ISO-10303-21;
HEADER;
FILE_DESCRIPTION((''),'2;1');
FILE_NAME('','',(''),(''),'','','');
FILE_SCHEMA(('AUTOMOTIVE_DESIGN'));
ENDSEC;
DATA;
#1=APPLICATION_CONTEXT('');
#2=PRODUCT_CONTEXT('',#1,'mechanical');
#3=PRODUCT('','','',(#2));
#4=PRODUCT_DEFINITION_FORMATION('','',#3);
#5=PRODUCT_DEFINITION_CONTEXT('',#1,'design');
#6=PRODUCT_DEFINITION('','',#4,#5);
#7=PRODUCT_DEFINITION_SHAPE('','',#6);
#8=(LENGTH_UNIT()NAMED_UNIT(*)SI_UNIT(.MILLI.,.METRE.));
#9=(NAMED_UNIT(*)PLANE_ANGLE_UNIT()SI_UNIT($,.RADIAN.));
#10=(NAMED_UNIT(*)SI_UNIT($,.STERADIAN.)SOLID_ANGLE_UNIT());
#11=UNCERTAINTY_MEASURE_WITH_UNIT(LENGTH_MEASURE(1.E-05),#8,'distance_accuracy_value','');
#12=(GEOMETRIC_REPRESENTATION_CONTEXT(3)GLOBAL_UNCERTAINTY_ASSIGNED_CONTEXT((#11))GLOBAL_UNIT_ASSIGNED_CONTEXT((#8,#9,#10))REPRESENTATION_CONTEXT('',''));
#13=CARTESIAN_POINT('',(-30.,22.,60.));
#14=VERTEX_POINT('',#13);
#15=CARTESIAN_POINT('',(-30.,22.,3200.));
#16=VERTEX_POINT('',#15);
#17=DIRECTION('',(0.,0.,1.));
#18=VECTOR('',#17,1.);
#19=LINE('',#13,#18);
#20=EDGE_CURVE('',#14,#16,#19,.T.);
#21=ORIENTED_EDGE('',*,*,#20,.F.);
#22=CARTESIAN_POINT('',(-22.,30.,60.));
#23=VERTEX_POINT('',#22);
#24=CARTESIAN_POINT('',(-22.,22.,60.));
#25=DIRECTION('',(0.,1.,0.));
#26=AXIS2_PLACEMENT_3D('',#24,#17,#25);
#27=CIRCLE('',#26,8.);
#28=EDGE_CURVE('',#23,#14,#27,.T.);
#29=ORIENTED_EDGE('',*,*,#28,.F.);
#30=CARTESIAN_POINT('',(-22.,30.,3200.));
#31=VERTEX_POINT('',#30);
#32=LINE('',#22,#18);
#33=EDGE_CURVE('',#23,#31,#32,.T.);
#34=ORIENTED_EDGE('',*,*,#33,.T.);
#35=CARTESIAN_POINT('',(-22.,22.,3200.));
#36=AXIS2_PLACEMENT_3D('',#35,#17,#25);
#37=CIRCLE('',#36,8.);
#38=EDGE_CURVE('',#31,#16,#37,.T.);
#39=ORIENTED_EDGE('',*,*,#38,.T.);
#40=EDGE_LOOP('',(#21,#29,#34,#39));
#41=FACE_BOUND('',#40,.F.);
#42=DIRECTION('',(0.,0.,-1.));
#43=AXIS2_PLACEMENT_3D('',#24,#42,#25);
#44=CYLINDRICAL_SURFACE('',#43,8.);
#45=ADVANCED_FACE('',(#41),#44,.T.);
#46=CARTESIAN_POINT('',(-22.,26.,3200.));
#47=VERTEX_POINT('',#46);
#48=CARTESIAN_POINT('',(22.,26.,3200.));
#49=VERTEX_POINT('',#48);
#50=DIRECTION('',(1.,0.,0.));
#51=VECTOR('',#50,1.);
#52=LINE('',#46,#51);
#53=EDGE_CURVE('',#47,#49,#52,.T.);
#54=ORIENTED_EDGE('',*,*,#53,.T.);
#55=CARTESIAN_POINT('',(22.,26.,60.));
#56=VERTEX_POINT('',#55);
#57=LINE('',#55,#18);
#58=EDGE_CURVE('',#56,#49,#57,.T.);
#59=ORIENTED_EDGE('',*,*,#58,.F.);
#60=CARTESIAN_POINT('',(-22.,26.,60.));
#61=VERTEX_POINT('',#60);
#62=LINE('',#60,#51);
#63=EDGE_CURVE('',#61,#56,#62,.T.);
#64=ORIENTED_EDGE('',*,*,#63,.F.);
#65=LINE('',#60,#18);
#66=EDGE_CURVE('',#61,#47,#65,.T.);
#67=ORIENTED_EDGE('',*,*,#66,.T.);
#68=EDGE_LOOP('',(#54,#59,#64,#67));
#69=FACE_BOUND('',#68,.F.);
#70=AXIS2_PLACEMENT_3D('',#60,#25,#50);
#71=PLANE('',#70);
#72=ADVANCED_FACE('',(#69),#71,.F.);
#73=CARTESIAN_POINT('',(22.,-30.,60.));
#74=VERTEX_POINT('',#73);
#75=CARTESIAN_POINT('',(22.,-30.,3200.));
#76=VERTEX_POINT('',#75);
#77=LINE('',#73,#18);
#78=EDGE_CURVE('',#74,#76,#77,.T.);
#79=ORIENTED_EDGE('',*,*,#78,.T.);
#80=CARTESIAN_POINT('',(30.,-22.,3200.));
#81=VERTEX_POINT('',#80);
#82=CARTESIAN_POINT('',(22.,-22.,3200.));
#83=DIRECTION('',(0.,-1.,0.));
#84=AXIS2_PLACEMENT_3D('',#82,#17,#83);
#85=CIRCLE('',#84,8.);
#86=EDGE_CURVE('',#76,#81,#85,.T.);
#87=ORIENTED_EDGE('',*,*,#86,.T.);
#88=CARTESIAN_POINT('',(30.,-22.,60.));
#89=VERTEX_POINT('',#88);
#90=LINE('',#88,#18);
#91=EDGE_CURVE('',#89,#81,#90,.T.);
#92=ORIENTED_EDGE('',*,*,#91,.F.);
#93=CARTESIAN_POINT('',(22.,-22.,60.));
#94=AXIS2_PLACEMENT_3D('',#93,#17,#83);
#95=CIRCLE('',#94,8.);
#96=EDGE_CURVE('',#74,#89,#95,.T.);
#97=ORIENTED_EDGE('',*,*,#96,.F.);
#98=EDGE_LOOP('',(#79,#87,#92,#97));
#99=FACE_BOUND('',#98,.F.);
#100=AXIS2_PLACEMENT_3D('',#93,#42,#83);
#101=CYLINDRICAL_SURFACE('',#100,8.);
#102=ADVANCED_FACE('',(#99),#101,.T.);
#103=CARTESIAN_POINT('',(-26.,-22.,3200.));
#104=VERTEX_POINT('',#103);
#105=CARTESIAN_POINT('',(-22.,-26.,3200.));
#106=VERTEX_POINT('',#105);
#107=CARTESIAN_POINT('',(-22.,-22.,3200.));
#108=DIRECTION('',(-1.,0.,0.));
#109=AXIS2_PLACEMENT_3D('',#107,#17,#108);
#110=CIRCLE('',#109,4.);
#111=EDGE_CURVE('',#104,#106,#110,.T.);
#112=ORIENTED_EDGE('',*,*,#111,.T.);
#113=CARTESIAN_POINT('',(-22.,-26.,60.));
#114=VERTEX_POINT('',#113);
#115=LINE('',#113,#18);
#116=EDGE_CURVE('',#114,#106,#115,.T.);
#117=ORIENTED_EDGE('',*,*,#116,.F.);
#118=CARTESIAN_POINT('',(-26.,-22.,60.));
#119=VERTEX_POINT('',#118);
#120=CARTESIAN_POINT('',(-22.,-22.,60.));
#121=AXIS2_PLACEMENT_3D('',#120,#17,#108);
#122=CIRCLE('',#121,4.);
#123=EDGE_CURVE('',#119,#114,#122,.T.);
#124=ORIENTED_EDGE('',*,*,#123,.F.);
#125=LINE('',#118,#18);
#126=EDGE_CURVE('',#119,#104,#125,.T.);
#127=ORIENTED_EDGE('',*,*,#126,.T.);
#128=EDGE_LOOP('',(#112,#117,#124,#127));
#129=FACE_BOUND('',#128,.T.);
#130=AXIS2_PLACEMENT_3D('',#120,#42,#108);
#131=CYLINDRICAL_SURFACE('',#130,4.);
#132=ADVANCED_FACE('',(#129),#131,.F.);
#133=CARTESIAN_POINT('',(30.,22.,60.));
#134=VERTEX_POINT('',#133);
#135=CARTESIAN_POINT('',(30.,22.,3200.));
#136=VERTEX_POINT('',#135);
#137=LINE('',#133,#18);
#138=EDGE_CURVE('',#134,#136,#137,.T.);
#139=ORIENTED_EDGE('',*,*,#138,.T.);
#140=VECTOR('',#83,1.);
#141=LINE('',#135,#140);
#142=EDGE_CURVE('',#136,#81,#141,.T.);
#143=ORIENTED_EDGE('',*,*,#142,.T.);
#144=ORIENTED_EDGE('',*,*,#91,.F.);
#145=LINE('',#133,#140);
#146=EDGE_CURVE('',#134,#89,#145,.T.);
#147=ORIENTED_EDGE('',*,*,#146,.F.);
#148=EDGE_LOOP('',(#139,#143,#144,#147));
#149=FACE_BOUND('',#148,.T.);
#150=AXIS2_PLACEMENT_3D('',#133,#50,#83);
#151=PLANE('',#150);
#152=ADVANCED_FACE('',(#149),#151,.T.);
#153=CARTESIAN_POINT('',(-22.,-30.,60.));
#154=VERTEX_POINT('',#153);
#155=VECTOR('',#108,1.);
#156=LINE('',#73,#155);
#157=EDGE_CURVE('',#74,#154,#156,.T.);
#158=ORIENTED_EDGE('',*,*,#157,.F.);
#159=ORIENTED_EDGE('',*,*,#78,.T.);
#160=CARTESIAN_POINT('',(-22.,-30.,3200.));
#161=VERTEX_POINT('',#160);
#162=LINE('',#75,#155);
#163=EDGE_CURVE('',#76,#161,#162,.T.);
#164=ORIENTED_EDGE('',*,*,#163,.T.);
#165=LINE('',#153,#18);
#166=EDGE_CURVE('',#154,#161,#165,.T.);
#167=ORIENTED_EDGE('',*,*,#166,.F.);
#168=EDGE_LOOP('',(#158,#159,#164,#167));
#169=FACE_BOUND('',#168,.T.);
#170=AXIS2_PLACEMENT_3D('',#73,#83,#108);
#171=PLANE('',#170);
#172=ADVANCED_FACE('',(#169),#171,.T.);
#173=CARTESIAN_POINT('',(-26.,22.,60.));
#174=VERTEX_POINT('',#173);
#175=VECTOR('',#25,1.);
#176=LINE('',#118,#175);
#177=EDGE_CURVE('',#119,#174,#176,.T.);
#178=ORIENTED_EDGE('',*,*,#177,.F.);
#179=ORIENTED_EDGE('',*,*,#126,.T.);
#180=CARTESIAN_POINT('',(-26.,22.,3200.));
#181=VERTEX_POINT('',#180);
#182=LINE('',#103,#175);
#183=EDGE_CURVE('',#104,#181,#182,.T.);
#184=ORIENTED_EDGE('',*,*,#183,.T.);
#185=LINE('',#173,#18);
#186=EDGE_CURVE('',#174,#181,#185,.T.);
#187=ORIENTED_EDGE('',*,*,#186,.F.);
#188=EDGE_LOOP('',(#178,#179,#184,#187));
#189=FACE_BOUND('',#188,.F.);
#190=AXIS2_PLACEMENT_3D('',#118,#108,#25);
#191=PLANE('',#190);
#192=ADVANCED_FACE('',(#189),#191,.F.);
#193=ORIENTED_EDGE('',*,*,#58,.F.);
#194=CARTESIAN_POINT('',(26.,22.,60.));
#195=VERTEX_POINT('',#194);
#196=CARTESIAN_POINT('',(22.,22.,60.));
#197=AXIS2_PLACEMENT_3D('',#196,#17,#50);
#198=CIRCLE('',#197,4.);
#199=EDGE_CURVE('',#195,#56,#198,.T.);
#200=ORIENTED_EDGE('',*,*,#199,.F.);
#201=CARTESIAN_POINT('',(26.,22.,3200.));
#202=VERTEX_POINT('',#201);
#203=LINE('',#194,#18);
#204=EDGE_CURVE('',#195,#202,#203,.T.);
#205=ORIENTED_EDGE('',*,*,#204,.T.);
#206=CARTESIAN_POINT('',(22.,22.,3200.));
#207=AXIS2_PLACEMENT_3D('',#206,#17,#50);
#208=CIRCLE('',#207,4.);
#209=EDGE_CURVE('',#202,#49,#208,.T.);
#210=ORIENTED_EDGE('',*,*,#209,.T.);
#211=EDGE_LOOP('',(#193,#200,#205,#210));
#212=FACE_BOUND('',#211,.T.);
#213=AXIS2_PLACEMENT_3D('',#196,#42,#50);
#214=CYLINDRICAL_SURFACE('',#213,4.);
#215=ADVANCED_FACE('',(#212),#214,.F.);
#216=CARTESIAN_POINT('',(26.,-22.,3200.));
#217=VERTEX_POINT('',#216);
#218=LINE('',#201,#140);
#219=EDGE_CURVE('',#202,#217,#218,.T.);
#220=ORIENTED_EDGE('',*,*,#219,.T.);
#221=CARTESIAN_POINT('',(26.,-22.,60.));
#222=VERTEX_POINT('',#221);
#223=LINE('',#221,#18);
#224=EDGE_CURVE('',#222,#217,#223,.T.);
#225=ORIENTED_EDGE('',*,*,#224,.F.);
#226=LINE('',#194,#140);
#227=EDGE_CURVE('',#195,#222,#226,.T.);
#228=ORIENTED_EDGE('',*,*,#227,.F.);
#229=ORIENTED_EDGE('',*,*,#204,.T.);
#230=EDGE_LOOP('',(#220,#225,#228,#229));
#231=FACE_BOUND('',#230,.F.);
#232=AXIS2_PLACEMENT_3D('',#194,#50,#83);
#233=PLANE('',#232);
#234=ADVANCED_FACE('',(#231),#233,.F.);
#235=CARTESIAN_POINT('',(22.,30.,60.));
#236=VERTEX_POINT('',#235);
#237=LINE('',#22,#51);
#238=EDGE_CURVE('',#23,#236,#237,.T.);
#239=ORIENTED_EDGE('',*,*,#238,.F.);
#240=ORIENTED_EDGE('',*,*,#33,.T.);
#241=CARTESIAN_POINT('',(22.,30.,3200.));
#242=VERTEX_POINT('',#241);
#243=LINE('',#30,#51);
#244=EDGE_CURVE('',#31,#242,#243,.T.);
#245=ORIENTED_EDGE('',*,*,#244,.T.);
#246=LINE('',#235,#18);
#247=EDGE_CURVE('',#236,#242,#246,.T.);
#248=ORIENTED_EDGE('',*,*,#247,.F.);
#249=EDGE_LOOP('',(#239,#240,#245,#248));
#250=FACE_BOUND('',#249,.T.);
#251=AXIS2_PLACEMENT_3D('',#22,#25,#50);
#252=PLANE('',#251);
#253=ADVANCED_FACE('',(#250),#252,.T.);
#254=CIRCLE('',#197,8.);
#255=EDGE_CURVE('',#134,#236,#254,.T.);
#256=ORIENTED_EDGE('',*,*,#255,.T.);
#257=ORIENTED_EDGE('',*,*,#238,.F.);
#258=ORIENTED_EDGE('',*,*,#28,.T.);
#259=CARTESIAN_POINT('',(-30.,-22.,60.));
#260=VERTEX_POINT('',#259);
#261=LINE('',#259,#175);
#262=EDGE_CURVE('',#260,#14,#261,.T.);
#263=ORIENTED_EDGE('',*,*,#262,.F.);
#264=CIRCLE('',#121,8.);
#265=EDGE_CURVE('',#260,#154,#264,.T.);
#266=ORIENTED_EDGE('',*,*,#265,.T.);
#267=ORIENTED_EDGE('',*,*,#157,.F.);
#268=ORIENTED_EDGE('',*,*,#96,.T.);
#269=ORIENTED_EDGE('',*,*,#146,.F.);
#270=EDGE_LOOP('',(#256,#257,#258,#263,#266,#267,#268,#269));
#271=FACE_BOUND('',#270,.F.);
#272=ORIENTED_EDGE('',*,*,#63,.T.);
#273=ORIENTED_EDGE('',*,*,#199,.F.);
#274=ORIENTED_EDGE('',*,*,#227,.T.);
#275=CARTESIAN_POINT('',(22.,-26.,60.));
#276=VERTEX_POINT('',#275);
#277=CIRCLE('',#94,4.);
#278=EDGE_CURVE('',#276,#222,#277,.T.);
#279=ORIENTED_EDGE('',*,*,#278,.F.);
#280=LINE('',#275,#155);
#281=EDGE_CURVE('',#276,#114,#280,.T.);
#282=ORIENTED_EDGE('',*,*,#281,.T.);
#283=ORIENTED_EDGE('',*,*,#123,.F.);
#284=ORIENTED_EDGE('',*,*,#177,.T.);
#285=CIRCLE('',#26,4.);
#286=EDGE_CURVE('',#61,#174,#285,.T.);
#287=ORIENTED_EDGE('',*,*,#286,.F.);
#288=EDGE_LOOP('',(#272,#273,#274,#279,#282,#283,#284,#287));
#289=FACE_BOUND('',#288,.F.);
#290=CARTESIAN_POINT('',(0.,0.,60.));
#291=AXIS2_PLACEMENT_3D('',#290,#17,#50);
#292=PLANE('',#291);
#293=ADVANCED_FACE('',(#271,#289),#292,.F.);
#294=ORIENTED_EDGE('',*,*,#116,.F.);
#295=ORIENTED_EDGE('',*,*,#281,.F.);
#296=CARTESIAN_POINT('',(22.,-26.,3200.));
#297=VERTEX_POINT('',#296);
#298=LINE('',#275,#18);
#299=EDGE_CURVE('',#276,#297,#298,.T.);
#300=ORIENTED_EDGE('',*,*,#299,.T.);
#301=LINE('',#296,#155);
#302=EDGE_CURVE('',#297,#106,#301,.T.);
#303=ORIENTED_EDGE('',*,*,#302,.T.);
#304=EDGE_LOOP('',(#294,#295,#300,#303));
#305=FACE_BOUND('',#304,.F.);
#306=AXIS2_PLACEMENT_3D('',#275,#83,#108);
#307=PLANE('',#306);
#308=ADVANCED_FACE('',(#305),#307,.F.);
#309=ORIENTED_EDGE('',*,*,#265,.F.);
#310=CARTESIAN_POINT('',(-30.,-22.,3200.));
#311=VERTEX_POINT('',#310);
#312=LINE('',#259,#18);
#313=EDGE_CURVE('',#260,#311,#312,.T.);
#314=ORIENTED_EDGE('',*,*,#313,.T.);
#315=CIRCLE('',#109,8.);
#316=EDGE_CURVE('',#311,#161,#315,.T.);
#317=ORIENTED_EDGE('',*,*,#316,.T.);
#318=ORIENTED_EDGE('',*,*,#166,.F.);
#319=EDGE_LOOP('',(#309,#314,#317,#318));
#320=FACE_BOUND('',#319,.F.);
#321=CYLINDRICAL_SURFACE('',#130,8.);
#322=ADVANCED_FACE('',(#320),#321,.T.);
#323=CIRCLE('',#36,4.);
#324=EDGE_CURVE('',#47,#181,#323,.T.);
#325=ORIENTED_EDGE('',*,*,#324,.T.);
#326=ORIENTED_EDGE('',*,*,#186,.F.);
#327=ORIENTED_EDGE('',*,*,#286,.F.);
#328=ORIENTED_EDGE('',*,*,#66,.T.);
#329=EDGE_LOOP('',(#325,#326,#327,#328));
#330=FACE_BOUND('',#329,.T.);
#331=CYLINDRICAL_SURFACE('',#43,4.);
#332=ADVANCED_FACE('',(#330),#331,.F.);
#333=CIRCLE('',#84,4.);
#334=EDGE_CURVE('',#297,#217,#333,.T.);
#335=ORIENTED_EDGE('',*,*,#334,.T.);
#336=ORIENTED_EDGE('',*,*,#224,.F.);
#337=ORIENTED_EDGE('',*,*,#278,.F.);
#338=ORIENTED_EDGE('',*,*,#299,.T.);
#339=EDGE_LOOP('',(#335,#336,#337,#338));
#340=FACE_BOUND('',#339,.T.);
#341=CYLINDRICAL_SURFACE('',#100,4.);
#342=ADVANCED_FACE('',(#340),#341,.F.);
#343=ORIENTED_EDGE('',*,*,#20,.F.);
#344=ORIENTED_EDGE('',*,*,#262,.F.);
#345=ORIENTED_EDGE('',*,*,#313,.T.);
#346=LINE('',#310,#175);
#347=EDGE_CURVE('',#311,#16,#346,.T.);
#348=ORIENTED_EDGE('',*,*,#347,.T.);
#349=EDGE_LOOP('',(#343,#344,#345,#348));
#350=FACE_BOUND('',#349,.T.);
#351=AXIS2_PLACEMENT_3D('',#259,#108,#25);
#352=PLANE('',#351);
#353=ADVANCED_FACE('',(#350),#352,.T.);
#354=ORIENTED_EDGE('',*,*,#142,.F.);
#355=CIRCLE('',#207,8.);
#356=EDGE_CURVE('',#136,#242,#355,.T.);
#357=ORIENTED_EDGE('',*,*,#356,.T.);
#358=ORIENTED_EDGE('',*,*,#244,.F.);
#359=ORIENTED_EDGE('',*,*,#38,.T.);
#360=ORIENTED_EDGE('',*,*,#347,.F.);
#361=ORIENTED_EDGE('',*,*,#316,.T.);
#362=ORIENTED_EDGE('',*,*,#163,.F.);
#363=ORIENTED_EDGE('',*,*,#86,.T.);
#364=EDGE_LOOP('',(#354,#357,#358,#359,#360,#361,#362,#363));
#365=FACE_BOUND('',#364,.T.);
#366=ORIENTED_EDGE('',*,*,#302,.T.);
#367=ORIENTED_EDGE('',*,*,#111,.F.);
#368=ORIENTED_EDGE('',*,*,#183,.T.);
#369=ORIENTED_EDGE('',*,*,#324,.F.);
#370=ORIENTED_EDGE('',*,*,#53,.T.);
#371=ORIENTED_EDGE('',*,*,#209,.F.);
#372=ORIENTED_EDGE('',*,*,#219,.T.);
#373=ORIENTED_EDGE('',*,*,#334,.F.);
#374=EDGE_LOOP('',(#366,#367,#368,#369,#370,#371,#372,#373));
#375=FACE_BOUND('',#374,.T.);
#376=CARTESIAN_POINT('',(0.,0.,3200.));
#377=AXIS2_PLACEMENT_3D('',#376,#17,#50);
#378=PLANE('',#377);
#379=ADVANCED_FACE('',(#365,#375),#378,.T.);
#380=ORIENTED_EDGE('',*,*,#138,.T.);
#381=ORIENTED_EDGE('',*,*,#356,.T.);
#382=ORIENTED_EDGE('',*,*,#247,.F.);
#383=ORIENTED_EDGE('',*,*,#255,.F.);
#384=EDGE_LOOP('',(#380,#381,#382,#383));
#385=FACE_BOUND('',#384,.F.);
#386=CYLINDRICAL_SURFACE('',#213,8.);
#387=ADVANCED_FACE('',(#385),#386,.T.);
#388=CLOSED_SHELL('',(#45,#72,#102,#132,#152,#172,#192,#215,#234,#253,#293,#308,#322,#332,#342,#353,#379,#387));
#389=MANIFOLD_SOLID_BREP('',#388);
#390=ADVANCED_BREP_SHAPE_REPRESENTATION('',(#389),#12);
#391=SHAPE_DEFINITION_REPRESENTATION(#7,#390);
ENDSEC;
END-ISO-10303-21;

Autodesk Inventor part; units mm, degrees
ref_plane "Start Plane" through (0, 0, 60) normal (0, 0, 1) x (1, 0, 0)
ref_plane "End Plane" through (0, 0, 3200) normal (0, 0, 1) x (1, 0, 0)
sketch "Sketch" plane through (0, 0, 0) normal (0, 0, 1) x (1, 0, 0)
  line L0 (-30, -22) -> (-30, 22)
  line L1 (-22, 30) -> (22, 30)
  line L2 (30, 22) -> (30, -22)
  line L3 (22, -30) -> (-22, -30)
  arc A0 (-30, -22) -> (-22, -30) centre (-22, -22) ccw
  arc A1 (30, 22) -> (22, 30) centre (22, 22) ccw
  arc A2 (-22, 30) -> (-30, 22) centre (-22, 22) ccw
  arc A3 (22, -30) -> (30, -22) centre (22, -22) ccw
  arc A4 (-22, 26) -> (-26, 22) centre (-22, 22) ccw
  line L4 (-22, 26) -> (22, 26)
  arc A5 (26, 22) -> (22, 26) centre (22, 22) ccw
  line L5 (26, 22) -> (26, -22)
  arc A6 (22, -26) -> (26, -22) centre (22, -22) ccw
  line L6 (22, -26) -> (-22, -26)
  arc A7 (-26, -22) -> (-22, -26) centre (-22, -22) ccw
  line L7 (-26, -22) -> (-26, 22)
  line L8 (0, 44.3196) -> (0, -44.3196) construction
  line L9 (-44.3196, 0) -> (44.3196, 0) construction
  dimension "d7" = 8
  dimension "d9" = 60
  dimension "d11" = 60
  dimension "d12" = 4
  dimension "d15" = 30
  dimension "d16" = 30
extrude "Body" add sketch "Sketch" along normal up to surface (3140 mm away) from surface at 60
sketch "Sketch3" plane through (0, 0, 0) normal (0, 0, 1) x (1, 0, 0)
  line L0 (0, 0) -> (10, 0)
ref_plane "Work Plane3" through (0, 0, 0) normal (0, -1, 0) x (1, 0, 0)
ref_plane "Work Plane4" through (22, -1890, 60) normal (0, 0, -1) x (-1, 0, 0)
split "Split1" plane through (22, -1890, 60) removes the side toward (0, 0, -1)
sketch "Sketch4" plane through (0, 0, 0) normal (0, -1, 0) x (1, 0, 0)
  line L0 (-2, 60) -> (12, 60) projected
  line L1 (-2, 3200) -> (12, 3200) projected
  dimension "d18" = 3140
equation "\"d7\" = G_IR"
equation "\"d9\" = G_W"
equation "\"d11\" = G_H"
equation "\"d12\" = G_T"
equation "\"d15\" = 0.5 * d9"
equation "\"d16\" = 0.5 * d11"
equation "\"d3\" = G_L"
equation "\"G_W\" = 60"
equation "\"G_H\" = 60"
equation "\"G_T\" = 4"
equation "\"G_IR\" = 8"
equation "\"G_L\" = d18"
equation "\"G_OFFSET_END\" = 0"
properties part number "ISO 4019 - 60x60x4 - 3140" material "Steel, Mild"
